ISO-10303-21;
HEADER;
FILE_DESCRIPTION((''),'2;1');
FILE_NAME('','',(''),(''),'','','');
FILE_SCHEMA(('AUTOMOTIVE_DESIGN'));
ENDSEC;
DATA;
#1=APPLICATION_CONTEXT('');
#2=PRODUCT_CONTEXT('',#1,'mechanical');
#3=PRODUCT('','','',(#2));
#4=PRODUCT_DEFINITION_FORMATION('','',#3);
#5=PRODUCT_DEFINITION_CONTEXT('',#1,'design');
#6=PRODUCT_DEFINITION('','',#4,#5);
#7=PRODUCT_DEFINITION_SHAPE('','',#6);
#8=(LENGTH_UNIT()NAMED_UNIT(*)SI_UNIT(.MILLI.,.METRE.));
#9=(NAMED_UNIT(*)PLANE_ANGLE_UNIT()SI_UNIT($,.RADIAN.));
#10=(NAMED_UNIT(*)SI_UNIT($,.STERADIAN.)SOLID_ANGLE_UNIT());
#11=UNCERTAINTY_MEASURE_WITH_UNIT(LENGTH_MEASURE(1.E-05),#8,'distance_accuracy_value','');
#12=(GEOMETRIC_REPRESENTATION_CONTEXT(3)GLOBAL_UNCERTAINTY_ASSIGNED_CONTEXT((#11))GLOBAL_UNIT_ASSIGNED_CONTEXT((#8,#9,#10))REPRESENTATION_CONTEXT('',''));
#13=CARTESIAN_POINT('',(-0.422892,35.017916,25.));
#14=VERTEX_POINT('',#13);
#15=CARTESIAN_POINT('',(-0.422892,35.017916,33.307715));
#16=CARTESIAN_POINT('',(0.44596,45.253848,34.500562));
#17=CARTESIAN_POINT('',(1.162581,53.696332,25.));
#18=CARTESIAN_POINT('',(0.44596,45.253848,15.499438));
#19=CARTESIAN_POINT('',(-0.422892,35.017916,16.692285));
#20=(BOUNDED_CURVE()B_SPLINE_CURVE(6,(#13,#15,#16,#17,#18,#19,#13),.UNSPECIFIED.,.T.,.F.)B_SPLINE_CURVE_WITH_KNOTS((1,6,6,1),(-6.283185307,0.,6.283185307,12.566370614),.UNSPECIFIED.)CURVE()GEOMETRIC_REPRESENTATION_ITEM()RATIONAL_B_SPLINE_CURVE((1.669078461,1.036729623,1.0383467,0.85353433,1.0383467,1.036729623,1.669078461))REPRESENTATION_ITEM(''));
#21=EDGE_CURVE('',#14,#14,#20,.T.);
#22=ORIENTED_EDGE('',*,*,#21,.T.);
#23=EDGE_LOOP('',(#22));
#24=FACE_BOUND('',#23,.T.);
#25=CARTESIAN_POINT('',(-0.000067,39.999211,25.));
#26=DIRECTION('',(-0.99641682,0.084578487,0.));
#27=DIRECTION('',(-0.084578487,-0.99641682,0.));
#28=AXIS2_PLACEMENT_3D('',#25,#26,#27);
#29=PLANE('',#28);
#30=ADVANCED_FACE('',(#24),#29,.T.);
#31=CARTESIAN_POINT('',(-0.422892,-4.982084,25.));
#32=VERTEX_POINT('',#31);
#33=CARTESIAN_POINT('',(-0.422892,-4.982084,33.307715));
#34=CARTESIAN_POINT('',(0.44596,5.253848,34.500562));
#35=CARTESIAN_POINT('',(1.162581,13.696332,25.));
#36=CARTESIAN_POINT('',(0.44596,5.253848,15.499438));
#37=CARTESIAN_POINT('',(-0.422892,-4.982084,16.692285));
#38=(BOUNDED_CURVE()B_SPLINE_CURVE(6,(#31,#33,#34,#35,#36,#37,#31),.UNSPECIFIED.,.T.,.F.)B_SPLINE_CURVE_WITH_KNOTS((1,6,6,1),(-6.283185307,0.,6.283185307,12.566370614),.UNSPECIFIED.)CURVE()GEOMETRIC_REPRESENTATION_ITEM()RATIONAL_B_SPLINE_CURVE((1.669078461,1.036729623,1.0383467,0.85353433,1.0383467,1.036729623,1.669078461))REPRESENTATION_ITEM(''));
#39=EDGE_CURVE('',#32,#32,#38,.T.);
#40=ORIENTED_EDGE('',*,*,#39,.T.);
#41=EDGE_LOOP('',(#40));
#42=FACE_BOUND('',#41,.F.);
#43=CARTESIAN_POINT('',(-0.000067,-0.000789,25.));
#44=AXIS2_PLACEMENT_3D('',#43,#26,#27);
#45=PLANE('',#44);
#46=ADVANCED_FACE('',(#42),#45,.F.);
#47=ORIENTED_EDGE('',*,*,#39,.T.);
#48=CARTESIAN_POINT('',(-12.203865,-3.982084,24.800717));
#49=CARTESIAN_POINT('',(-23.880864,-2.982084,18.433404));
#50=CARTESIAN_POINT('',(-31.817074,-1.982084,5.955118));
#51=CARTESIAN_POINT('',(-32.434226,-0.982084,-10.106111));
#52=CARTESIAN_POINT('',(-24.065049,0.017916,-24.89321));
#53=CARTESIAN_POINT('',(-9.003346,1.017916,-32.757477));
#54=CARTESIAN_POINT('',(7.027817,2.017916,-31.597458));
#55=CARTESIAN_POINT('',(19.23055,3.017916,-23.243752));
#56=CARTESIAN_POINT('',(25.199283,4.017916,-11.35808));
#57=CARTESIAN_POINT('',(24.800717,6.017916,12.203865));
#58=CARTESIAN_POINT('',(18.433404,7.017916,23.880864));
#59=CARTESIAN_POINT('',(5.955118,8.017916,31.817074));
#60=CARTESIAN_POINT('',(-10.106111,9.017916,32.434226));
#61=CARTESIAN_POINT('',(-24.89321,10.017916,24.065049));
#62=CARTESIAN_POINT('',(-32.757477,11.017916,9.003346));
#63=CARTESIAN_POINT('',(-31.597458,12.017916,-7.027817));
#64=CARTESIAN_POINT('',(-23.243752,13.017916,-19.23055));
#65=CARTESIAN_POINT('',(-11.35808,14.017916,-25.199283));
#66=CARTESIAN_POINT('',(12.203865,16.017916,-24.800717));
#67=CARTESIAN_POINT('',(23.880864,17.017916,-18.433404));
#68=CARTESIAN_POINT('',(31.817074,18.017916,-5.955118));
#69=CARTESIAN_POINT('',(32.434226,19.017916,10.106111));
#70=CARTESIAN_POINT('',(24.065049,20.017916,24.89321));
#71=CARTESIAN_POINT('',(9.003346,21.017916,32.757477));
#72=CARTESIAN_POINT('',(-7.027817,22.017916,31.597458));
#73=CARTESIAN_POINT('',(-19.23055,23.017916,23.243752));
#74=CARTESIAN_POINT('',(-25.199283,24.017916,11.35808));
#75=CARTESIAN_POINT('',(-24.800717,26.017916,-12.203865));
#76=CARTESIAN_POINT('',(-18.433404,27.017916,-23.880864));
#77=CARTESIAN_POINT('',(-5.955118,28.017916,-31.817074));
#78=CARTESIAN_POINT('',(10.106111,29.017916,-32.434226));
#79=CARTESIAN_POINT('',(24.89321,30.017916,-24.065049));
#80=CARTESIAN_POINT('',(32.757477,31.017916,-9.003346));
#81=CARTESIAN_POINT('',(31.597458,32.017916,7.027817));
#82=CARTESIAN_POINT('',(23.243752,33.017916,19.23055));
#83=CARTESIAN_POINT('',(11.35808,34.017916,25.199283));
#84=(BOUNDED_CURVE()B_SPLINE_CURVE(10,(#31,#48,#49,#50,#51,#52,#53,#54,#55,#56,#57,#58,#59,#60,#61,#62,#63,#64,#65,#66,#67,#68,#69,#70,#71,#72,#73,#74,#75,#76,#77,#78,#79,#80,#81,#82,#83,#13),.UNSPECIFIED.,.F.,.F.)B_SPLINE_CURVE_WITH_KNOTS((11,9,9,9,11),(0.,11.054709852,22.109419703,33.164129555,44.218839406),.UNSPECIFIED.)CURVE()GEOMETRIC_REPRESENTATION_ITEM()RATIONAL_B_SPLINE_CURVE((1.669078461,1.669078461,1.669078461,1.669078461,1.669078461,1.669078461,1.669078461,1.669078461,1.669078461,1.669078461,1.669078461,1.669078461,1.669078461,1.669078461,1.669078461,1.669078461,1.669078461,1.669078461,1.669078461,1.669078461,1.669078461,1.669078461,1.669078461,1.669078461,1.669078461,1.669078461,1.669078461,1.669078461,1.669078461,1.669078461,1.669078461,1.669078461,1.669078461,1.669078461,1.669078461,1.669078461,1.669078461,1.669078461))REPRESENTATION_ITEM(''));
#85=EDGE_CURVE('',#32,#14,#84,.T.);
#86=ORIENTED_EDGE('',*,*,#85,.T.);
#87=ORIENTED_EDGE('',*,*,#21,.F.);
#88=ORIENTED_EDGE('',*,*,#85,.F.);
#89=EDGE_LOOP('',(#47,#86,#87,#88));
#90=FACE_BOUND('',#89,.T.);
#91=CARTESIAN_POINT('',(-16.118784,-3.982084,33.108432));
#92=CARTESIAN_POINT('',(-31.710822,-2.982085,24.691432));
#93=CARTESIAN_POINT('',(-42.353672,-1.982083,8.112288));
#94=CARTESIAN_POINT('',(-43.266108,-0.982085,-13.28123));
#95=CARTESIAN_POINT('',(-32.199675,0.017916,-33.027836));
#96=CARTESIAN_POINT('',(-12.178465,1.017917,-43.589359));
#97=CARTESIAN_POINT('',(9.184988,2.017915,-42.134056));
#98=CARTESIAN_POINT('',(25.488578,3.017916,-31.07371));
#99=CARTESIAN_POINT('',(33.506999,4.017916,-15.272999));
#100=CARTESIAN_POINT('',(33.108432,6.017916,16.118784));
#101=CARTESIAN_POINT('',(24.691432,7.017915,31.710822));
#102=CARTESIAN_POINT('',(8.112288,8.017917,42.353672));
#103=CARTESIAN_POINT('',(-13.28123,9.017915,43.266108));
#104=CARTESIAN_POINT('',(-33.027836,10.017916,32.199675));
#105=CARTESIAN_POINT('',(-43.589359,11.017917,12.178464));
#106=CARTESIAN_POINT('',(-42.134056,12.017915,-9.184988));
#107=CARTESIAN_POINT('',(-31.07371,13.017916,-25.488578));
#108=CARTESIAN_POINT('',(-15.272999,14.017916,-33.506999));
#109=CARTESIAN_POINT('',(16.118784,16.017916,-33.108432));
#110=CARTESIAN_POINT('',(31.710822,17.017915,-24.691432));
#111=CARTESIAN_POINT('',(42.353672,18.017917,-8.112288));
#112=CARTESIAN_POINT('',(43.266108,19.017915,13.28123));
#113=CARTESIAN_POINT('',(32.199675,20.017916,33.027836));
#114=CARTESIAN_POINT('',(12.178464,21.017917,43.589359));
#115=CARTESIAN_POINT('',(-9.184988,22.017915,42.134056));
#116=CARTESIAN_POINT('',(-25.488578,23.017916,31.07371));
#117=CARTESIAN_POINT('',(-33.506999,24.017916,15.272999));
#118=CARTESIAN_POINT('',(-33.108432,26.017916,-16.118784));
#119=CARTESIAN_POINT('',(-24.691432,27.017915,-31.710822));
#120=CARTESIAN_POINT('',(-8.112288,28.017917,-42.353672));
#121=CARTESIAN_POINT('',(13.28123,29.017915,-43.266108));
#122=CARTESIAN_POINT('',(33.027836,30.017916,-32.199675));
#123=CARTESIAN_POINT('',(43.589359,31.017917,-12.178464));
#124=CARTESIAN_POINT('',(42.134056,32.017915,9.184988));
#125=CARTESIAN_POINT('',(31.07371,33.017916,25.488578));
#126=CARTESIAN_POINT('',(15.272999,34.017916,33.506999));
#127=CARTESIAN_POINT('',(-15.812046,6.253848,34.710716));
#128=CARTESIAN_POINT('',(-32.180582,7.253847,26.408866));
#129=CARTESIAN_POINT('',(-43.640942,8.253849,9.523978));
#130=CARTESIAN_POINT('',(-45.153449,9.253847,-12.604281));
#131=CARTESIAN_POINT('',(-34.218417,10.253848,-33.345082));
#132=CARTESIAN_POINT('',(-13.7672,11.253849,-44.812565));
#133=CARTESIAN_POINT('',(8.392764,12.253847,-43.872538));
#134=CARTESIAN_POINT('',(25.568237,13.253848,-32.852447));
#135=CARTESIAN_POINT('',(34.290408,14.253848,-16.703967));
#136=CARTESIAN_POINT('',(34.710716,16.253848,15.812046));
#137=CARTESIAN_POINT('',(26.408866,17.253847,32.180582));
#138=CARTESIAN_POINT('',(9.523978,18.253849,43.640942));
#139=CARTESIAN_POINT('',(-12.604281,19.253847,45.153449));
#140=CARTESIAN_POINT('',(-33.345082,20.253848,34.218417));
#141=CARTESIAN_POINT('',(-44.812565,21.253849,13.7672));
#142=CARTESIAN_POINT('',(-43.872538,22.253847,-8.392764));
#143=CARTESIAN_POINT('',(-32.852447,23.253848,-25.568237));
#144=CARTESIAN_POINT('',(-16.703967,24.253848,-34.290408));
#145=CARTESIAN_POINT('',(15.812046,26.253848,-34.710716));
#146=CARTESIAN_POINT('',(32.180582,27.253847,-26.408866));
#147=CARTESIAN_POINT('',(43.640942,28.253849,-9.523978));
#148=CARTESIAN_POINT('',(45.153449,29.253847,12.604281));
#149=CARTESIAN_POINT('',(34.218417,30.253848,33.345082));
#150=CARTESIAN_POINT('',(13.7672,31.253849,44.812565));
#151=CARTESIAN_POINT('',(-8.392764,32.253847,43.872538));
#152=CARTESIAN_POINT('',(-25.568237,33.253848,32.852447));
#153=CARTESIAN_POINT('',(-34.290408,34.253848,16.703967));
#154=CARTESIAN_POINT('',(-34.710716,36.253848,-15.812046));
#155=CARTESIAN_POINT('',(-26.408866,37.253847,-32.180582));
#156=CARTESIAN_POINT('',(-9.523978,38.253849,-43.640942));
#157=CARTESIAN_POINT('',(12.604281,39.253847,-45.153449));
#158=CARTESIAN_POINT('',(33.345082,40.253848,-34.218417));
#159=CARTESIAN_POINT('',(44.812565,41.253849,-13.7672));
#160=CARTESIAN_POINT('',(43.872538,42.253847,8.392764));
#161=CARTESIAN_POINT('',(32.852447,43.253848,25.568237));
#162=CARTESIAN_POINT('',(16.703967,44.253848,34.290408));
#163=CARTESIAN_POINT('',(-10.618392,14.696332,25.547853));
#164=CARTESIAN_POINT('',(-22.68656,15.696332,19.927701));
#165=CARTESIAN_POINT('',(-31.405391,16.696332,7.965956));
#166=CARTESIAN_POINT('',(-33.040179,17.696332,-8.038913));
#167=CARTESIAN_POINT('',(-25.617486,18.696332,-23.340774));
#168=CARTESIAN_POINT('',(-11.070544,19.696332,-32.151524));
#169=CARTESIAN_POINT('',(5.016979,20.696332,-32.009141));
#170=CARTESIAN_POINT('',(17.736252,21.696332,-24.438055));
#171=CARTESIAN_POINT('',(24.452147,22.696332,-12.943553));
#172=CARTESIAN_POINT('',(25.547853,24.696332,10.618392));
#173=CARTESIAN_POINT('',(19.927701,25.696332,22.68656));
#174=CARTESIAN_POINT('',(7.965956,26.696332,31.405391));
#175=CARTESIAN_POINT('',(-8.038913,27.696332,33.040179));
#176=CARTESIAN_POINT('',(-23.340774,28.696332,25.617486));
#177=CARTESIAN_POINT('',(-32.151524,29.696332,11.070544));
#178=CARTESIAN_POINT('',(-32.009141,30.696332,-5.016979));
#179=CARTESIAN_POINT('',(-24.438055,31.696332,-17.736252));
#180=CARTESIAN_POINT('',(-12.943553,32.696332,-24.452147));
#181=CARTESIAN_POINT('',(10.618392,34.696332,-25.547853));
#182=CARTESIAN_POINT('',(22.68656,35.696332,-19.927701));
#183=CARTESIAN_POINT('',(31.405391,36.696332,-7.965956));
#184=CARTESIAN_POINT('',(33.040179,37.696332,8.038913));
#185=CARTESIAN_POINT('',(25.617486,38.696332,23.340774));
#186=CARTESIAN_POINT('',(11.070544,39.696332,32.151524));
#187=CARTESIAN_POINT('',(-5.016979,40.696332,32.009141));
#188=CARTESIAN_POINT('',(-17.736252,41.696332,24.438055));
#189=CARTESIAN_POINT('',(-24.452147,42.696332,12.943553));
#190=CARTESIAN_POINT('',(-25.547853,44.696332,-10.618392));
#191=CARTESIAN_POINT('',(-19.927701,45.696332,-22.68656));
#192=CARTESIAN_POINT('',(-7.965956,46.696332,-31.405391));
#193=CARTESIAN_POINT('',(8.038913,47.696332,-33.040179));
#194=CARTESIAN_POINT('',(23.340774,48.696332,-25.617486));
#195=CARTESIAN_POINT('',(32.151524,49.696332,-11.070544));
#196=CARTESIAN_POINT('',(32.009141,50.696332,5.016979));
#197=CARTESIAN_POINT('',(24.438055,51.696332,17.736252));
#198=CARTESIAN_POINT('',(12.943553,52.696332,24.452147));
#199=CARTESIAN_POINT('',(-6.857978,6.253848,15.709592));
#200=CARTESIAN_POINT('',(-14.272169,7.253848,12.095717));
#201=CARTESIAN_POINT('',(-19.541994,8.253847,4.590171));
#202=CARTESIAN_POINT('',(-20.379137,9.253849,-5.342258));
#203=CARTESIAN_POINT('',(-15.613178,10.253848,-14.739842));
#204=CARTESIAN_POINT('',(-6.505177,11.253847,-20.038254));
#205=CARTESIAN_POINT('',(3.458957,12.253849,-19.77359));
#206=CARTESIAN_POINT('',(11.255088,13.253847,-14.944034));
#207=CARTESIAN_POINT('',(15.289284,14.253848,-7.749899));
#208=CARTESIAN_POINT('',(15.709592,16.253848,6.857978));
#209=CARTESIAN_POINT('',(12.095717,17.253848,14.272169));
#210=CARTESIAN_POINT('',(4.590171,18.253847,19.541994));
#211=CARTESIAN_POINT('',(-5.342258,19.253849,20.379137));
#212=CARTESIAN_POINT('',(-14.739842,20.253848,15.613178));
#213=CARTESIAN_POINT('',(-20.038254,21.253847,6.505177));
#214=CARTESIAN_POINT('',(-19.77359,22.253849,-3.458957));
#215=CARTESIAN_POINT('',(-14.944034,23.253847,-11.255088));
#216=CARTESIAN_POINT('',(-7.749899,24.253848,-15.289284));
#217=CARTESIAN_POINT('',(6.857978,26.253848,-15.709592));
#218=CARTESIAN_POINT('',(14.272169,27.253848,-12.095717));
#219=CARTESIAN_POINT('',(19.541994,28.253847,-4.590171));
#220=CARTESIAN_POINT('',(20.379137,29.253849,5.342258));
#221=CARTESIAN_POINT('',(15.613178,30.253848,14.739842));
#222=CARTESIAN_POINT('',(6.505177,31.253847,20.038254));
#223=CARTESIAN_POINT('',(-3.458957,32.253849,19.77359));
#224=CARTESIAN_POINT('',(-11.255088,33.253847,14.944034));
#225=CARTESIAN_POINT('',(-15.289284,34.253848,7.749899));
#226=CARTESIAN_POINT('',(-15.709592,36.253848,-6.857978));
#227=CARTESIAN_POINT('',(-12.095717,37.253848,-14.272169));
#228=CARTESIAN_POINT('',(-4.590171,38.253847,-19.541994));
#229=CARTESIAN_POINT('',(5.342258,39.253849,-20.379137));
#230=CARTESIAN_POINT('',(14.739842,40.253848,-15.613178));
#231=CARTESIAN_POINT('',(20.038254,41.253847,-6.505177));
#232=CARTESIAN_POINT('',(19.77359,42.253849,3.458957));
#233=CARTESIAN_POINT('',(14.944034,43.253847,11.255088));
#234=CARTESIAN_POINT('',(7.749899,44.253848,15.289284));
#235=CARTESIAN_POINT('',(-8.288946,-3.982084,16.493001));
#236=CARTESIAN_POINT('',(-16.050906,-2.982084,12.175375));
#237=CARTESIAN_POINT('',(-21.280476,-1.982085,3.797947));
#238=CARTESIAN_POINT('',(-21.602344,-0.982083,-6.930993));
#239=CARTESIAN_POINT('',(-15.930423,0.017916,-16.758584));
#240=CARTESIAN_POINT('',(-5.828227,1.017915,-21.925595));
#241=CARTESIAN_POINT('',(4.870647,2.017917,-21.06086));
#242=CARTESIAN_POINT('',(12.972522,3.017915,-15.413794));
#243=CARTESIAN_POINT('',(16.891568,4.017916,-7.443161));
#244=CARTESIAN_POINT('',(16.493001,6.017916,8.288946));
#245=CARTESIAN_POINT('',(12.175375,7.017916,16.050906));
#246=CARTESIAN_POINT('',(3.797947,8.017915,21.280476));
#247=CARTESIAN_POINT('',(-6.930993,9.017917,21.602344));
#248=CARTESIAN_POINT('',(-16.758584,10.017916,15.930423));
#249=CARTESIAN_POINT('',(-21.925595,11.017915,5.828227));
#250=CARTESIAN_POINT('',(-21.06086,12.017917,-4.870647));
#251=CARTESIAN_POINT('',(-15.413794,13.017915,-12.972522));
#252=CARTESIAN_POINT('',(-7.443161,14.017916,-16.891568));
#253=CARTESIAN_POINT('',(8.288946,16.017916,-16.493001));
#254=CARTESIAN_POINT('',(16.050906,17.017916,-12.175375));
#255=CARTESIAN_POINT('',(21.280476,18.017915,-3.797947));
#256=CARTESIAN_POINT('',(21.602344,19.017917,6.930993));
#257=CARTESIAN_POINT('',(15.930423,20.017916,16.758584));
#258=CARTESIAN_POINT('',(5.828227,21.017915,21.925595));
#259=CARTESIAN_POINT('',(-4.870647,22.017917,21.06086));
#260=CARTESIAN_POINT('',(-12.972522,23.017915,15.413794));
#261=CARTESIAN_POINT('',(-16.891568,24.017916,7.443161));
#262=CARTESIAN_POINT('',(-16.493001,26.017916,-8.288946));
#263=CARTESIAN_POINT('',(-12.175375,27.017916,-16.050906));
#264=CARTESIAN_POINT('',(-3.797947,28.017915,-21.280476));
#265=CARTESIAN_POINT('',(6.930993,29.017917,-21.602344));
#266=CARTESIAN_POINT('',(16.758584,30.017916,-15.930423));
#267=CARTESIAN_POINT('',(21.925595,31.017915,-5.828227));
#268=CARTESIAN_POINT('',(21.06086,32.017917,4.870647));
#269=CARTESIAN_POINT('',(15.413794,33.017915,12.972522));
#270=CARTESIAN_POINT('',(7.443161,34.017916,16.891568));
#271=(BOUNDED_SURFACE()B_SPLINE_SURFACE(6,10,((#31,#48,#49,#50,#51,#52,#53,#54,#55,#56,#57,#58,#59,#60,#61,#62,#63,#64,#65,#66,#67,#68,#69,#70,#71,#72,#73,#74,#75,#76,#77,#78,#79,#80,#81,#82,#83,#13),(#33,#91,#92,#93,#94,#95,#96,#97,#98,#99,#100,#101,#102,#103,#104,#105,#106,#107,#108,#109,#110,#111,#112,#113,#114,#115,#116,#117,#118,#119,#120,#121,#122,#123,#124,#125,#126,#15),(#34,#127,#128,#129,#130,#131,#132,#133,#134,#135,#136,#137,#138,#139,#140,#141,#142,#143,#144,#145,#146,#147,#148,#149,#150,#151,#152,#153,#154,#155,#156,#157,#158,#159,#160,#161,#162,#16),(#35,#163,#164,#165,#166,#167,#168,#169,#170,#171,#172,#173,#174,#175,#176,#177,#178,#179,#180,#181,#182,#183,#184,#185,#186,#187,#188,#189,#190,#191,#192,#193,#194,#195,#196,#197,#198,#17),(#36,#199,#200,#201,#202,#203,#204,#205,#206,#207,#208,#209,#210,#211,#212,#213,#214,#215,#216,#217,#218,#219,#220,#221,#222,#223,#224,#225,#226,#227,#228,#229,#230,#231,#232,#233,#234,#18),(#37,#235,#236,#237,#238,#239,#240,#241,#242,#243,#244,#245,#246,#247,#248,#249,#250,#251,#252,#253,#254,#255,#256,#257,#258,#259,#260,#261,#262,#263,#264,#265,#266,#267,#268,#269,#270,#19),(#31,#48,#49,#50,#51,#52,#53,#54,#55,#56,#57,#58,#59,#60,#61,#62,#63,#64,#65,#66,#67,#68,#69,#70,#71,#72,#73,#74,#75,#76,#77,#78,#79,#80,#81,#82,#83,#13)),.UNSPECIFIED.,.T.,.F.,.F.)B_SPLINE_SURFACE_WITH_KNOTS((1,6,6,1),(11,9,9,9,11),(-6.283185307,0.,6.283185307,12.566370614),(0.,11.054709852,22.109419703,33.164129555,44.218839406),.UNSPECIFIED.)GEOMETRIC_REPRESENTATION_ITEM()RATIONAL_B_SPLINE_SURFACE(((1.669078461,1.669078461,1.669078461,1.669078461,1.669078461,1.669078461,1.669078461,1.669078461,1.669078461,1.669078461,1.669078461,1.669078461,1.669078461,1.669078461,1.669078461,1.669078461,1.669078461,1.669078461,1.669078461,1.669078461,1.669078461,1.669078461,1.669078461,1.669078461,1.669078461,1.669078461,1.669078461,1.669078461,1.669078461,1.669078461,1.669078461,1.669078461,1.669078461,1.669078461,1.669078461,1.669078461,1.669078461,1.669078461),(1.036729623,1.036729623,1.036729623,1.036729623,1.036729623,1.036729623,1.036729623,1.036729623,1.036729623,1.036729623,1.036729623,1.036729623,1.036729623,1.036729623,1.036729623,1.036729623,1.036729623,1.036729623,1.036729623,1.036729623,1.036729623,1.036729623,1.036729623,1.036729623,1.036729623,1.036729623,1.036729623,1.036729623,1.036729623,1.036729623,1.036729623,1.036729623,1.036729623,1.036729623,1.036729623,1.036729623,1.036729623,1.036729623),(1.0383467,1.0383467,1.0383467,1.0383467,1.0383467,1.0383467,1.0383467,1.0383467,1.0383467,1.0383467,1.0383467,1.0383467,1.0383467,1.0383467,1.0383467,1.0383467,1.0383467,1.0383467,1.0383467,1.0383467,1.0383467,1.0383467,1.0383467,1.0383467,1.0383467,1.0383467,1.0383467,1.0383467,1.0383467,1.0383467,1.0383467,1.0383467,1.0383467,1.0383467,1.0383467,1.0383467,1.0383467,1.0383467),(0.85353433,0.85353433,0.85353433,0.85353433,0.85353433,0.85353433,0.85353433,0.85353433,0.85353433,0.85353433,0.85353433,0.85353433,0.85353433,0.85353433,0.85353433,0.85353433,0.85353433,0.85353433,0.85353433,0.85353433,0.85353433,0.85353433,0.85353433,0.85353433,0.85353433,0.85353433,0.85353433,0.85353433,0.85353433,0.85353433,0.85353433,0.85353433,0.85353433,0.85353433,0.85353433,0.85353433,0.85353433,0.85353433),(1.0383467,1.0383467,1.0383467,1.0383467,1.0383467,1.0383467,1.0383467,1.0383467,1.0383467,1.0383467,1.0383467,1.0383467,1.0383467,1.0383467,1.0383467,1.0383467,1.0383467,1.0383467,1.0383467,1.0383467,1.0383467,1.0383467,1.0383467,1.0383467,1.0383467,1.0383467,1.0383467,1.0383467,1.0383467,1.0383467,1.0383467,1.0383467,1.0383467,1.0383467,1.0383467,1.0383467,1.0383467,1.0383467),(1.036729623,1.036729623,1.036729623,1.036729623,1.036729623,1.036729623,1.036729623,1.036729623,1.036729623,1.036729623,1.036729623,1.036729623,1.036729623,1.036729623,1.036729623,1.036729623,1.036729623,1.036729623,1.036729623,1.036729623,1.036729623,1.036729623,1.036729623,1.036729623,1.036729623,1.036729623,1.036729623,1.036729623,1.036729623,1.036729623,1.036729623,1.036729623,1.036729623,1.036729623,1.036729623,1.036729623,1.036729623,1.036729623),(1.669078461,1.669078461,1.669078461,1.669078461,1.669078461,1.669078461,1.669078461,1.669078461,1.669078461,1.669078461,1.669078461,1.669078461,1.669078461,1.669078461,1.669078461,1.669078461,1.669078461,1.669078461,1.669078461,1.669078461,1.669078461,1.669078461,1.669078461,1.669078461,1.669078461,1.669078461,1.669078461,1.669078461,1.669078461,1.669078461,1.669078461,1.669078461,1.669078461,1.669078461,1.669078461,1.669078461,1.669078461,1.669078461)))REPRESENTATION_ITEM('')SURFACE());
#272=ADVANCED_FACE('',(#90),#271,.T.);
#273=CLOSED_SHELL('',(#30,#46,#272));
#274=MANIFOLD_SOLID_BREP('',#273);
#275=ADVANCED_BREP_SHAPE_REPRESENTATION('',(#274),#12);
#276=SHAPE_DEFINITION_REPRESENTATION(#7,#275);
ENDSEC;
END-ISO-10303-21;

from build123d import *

# Parameters (mm, degrees)
SWEEP1_PITCH     = 13.333333333
SWEEP1_HEIGHT    = 40
SWEEP1_RADIUS    = 25
SWEEP1_PROFILE_R = 5


with BuildPart() as part:
    # Sweep1: sweep along a helix
    with BuildLine() as sweep1_path:
        Helix(SWEEP1_PITCH, SWEEP1_HEIGHT, SWEEP1_RADIUS, center=(0, 0, 0), direction=(0, 1, 0), lefthand=True)
    # Sweep1 profile (on start of the path) → Sweep1 (sweep)
    with BuildSketch(Plane(origin=(0, 0, 25), x_dir=(-0.084578487, -0.99641682, 0), z_dir=(-0.99641682, 0.084578487, 0))):
        Circle(SWEEP1_PROFILE_R)
    sweep(path=sweep1_path.line, is_frenet=True)


solid = part.part
